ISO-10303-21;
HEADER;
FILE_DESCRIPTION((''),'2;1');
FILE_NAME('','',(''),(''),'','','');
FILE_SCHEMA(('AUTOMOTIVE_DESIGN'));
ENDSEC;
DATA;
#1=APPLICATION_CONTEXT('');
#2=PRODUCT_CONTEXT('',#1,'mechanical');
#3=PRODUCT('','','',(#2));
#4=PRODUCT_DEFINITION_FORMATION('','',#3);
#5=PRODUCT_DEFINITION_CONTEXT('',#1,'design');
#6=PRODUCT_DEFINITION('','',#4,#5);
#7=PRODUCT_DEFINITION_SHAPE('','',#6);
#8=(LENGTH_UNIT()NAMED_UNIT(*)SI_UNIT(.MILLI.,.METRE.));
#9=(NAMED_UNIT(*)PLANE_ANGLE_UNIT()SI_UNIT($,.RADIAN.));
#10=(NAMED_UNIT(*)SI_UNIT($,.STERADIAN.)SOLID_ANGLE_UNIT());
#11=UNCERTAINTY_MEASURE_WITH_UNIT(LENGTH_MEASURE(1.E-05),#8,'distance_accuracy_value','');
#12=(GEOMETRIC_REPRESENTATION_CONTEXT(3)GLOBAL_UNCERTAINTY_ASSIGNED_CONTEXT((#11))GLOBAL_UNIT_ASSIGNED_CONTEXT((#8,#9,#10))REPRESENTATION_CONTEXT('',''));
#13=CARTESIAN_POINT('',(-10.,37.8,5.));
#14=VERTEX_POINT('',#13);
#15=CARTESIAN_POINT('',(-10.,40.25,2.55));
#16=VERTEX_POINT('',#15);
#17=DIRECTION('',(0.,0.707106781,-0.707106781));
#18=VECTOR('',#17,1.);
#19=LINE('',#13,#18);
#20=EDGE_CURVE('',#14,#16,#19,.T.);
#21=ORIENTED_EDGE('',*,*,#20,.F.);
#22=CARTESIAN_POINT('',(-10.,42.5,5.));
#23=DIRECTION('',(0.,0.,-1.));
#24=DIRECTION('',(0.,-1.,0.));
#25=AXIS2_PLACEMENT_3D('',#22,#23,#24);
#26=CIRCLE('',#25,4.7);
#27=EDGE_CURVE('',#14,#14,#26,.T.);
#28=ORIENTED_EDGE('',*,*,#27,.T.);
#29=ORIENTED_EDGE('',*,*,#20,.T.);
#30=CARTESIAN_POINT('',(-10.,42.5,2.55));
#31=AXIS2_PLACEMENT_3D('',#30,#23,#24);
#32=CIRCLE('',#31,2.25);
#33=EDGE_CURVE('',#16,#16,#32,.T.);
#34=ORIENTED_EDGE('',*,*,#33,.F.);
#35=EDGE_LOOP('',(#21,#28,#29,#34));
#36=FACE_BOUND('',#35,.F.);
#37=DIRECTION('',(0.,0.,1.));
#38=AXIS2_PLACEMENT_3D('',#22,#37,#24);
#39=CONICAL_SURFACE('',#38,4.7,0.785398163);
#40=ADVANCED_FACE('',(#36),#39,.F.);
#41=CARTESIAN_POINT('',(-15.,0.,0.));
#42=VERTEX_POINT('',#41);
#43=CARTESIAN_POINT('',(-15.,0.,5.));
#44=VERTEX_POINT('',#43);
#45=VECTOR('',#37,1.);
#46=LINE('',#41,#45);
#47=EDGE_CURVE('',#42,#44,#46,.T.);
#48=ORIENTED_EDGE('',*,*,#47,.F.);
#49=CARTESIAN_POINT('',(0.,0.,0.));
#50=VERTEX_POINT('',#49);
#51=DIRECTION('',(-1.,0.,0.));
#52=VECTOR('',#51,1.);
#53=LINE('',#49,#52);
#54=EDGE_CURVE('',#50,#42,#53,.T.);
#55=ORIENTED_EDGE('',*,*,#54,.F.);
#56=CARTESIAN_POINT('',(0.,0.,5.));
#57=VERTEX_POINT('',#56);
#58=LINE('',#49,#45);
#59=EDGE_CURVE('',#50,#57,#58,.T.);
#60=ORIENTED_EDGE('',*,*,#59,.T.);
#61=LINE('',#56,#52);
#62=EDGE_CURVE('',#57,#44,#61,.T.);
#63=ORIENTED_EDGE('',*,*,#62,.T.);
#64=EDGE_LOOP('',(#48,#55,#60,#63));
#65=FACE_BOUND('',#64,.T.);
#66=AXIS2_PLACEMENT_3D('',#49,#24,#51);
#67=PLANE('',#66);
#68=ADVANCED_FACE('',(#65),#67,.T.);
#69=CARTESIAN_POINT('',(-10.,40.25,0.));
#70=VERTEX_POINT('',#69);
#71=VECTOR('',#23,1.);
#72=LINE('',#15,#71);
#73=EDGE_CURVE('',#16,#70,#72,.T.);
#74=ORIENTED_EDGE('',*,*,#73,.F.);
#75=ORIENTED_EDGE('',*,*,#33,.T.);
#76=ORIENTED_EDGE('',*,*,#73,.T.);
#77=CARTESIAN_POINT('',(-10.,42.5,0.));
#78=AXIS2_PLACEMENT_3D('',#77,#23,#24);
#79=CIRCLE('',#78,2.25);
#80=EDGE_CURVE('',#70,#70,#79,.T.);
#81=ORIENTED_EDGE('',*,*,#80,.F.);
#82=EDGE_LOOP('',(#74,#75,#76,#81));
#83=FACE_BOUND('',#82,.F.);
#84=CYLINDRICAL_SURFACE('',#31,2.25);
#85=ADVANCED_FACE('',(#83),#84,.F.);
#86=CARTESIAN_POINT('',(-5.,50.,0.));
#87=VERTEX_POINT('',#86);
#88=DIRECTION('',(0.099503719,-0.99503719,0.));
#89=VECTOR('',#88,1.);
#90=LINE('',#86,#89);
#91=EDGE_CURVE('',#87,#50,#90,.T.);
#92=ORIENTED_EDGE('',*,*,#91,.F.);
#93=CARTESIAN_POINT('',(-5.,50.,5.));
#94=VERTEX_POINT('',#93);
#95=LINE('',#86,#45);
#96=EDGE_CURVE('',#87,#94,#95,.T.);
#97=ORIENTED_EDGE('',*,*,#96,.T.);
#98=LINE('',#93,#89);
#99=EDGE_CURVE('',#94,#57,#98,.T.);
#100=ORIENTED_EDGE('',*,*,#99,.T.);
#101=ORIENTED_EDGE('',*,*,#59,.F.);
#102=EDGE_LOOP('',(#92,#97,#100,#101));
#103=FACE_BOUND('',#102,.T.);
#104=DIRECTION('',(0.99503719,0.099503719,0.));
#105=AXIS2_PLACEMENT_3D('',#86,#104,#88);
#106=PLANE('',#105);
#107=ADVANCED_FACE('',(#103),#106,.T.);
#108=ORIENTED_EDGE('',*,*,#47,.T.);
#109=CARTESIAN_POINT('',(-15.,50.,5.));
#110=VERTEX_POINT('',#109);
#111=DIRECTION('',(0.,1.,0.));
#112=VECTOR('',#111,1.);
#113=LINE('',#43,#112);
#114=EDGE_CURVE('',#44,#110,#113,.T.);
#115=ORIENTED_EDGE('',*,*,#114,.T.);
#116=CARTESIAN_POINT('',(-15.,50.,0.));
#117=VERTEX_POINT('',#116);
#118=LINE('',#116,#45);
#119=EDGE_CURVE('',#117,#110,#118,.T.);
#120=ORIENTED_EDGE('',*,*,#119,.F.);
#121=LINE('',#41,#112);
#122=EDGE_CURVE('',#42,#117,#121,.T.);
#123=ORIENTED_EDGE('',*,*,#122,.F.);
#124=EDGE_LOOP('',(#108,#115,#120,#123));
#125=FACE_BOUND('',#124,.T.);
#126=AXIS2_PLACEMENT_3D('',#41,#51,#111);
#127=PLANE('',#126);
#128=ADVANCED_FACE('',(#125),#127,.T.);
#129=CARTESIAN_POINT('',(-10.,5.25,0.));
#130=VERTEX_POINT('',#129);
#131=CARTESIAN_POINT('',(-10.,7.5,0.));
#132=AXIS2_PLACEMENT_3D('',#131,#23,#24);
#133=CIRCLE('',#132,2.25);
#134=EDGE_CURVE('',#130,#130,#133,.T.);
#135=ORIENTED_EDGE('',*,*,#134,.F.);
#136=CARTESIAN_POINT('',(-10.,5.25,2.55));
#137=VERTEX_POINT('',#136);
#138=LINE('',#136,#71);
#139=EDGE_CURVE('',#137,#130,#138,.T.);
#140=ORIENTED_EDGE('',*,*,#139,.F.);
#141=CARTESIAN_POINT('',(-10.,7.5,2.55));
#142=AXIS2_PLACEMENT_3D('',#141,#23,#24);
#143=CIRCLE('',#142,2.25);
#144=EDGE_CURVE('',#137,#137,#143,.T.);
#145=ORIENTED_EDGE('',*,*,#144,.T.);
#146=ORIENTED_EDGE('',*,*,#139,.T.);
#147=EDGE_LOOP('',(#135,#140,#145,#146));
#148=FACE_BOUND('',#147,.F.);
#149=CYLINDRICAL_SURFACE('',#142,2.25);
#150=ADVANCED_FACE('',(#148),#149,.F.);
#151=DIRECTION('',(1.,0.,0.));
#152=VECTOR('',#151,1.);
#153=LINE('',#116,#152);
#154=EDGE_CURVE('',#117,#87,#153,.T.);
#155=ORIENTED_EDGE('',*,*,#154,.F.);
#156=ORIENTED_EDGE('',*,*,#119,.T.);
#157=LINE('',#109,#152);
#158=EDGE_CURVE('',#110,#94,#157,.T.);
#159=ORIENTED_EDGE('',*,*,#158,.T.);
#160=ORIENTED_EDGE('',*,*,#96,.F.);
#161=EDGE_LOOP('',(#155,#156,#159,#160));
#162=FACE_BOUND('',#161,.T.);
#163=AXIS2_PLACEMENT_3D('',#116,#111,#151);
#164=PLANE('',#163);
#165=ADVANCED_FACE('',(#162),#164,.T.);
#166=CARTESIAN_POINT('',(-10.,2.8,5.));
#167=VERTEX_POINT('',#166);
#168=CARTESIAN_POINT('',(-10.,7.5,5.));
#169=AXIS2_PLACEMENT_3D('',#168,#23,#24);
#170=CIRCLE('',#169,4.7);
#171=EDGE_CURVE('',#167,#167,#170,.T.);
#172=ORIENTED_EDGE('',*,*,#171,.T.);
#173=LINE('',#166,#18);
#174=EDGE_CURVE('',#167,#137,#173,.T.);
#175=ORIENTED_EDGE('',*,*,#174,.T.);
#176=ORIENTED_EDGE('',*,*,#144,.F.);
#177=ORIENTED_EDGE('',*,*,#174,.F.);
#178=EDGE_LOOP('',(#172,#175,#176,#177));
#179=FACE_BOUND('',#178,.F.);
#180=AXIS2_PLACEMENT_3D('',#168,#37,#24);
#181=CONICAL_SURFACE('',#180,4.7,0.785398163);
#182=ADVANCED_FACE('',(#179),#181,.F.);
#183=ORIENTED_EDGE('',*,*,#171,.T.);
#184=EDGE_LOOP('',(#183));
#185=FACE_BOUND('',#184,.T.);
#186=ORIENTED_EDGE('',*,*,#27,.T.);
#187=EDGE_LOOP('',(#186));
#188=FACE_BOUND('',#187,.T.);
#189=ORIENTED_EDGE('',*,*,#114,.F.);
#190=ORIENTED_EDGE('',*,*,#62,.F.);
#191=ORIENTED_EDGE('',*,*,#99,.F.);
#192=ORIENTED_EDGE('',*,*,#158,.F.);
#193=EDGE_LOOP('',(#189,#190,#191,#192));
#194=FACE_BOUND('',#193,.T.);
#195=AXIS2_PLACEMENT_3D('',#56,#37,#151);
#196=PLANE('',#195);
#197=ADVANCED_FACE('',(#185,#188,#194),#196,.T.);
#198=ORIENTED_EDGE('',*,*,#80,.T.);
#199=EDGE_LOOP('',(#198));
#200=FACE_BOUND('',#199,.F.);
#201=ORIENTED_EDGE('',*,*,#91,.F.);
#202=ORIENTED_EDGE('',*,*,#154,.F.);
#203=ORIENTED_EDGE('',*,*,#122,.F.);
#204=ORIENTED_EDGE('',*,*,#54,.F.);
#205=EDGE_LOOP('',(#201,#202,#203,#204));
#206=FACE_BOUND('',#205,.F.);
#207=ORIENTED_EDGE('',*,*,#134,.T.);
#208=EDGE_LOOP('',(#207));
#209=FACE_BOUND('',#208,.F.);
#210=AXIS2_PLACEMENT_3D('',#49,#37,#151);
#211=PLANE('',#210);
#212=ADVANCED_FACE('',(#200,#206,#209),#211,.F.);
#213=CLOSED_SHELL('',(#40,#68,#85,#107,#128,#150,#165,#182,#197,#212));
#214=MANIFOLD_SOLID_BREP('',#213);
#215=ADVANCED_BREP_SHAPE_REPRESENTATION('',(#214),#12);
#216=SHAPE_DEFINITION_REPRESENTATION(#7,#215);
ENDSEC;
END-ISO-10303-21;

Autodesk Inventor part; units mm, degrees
ref_plane "YZ Plane" through (0, 0, 0) normal (1, 0, 0) x (0, 1, 0)
ref_plane "XZ Plane" through (0, 0, 0) normal (0, 1, 0) x (-1, 0, 0)
ref_plane "XY Plane" through (0, 0, 0) normal (0, 0, 1) x (1, 0, 0)
sketch "Sketch1" plane through (0, 0, 0) normal (0, 0, 1) x (1, 0, 0)
  line L0 (0, 0) -> (-15, 0)
  line L1 (-15, 0) -> (-15, 50)
  line L2 (-15, 50) -> (-5, 50)
  line L3 (-5, 50) -> (0, 0)
  dimension "d0" = 10
  dimension "d1" = 50
  dimension "d16" = 15
extrude "Extrusion1" add sketch "Sketch1" along normal blind 5
sketch "Sketch2" plane through (0, 0, 5) normal (0, 0, 1) x (1, 0, 0)
  line L0 (-15, 50) -> (-15, 0) projected
  line L1 (-5, 50) -> (-15, 50) projected
  line L2 (-15, 0) -> (0, 0) projected
  point P0 (-10, 42.5)
  point P1 (-10, 7.5)
  dimension "d6" = 7.5
  dimension "d7" = 7.5
  dimension "d8" = 35
  dimension "d17" = 5
hole "Hole1" at (-10, 42.5, 5) at (-10, 7.5, 5) direction (0, 0, -1) diameter 4.5 end through all countersink diameter 9.4 countersink angle 90 clearance for "Flat Head Machine Screw" size "M4" standard "Ansi Metric M Profile"
equation "\"d7\" = d6"
properties part number "Pancake_Side Piece Short 3" material "Wood (Birch)"
